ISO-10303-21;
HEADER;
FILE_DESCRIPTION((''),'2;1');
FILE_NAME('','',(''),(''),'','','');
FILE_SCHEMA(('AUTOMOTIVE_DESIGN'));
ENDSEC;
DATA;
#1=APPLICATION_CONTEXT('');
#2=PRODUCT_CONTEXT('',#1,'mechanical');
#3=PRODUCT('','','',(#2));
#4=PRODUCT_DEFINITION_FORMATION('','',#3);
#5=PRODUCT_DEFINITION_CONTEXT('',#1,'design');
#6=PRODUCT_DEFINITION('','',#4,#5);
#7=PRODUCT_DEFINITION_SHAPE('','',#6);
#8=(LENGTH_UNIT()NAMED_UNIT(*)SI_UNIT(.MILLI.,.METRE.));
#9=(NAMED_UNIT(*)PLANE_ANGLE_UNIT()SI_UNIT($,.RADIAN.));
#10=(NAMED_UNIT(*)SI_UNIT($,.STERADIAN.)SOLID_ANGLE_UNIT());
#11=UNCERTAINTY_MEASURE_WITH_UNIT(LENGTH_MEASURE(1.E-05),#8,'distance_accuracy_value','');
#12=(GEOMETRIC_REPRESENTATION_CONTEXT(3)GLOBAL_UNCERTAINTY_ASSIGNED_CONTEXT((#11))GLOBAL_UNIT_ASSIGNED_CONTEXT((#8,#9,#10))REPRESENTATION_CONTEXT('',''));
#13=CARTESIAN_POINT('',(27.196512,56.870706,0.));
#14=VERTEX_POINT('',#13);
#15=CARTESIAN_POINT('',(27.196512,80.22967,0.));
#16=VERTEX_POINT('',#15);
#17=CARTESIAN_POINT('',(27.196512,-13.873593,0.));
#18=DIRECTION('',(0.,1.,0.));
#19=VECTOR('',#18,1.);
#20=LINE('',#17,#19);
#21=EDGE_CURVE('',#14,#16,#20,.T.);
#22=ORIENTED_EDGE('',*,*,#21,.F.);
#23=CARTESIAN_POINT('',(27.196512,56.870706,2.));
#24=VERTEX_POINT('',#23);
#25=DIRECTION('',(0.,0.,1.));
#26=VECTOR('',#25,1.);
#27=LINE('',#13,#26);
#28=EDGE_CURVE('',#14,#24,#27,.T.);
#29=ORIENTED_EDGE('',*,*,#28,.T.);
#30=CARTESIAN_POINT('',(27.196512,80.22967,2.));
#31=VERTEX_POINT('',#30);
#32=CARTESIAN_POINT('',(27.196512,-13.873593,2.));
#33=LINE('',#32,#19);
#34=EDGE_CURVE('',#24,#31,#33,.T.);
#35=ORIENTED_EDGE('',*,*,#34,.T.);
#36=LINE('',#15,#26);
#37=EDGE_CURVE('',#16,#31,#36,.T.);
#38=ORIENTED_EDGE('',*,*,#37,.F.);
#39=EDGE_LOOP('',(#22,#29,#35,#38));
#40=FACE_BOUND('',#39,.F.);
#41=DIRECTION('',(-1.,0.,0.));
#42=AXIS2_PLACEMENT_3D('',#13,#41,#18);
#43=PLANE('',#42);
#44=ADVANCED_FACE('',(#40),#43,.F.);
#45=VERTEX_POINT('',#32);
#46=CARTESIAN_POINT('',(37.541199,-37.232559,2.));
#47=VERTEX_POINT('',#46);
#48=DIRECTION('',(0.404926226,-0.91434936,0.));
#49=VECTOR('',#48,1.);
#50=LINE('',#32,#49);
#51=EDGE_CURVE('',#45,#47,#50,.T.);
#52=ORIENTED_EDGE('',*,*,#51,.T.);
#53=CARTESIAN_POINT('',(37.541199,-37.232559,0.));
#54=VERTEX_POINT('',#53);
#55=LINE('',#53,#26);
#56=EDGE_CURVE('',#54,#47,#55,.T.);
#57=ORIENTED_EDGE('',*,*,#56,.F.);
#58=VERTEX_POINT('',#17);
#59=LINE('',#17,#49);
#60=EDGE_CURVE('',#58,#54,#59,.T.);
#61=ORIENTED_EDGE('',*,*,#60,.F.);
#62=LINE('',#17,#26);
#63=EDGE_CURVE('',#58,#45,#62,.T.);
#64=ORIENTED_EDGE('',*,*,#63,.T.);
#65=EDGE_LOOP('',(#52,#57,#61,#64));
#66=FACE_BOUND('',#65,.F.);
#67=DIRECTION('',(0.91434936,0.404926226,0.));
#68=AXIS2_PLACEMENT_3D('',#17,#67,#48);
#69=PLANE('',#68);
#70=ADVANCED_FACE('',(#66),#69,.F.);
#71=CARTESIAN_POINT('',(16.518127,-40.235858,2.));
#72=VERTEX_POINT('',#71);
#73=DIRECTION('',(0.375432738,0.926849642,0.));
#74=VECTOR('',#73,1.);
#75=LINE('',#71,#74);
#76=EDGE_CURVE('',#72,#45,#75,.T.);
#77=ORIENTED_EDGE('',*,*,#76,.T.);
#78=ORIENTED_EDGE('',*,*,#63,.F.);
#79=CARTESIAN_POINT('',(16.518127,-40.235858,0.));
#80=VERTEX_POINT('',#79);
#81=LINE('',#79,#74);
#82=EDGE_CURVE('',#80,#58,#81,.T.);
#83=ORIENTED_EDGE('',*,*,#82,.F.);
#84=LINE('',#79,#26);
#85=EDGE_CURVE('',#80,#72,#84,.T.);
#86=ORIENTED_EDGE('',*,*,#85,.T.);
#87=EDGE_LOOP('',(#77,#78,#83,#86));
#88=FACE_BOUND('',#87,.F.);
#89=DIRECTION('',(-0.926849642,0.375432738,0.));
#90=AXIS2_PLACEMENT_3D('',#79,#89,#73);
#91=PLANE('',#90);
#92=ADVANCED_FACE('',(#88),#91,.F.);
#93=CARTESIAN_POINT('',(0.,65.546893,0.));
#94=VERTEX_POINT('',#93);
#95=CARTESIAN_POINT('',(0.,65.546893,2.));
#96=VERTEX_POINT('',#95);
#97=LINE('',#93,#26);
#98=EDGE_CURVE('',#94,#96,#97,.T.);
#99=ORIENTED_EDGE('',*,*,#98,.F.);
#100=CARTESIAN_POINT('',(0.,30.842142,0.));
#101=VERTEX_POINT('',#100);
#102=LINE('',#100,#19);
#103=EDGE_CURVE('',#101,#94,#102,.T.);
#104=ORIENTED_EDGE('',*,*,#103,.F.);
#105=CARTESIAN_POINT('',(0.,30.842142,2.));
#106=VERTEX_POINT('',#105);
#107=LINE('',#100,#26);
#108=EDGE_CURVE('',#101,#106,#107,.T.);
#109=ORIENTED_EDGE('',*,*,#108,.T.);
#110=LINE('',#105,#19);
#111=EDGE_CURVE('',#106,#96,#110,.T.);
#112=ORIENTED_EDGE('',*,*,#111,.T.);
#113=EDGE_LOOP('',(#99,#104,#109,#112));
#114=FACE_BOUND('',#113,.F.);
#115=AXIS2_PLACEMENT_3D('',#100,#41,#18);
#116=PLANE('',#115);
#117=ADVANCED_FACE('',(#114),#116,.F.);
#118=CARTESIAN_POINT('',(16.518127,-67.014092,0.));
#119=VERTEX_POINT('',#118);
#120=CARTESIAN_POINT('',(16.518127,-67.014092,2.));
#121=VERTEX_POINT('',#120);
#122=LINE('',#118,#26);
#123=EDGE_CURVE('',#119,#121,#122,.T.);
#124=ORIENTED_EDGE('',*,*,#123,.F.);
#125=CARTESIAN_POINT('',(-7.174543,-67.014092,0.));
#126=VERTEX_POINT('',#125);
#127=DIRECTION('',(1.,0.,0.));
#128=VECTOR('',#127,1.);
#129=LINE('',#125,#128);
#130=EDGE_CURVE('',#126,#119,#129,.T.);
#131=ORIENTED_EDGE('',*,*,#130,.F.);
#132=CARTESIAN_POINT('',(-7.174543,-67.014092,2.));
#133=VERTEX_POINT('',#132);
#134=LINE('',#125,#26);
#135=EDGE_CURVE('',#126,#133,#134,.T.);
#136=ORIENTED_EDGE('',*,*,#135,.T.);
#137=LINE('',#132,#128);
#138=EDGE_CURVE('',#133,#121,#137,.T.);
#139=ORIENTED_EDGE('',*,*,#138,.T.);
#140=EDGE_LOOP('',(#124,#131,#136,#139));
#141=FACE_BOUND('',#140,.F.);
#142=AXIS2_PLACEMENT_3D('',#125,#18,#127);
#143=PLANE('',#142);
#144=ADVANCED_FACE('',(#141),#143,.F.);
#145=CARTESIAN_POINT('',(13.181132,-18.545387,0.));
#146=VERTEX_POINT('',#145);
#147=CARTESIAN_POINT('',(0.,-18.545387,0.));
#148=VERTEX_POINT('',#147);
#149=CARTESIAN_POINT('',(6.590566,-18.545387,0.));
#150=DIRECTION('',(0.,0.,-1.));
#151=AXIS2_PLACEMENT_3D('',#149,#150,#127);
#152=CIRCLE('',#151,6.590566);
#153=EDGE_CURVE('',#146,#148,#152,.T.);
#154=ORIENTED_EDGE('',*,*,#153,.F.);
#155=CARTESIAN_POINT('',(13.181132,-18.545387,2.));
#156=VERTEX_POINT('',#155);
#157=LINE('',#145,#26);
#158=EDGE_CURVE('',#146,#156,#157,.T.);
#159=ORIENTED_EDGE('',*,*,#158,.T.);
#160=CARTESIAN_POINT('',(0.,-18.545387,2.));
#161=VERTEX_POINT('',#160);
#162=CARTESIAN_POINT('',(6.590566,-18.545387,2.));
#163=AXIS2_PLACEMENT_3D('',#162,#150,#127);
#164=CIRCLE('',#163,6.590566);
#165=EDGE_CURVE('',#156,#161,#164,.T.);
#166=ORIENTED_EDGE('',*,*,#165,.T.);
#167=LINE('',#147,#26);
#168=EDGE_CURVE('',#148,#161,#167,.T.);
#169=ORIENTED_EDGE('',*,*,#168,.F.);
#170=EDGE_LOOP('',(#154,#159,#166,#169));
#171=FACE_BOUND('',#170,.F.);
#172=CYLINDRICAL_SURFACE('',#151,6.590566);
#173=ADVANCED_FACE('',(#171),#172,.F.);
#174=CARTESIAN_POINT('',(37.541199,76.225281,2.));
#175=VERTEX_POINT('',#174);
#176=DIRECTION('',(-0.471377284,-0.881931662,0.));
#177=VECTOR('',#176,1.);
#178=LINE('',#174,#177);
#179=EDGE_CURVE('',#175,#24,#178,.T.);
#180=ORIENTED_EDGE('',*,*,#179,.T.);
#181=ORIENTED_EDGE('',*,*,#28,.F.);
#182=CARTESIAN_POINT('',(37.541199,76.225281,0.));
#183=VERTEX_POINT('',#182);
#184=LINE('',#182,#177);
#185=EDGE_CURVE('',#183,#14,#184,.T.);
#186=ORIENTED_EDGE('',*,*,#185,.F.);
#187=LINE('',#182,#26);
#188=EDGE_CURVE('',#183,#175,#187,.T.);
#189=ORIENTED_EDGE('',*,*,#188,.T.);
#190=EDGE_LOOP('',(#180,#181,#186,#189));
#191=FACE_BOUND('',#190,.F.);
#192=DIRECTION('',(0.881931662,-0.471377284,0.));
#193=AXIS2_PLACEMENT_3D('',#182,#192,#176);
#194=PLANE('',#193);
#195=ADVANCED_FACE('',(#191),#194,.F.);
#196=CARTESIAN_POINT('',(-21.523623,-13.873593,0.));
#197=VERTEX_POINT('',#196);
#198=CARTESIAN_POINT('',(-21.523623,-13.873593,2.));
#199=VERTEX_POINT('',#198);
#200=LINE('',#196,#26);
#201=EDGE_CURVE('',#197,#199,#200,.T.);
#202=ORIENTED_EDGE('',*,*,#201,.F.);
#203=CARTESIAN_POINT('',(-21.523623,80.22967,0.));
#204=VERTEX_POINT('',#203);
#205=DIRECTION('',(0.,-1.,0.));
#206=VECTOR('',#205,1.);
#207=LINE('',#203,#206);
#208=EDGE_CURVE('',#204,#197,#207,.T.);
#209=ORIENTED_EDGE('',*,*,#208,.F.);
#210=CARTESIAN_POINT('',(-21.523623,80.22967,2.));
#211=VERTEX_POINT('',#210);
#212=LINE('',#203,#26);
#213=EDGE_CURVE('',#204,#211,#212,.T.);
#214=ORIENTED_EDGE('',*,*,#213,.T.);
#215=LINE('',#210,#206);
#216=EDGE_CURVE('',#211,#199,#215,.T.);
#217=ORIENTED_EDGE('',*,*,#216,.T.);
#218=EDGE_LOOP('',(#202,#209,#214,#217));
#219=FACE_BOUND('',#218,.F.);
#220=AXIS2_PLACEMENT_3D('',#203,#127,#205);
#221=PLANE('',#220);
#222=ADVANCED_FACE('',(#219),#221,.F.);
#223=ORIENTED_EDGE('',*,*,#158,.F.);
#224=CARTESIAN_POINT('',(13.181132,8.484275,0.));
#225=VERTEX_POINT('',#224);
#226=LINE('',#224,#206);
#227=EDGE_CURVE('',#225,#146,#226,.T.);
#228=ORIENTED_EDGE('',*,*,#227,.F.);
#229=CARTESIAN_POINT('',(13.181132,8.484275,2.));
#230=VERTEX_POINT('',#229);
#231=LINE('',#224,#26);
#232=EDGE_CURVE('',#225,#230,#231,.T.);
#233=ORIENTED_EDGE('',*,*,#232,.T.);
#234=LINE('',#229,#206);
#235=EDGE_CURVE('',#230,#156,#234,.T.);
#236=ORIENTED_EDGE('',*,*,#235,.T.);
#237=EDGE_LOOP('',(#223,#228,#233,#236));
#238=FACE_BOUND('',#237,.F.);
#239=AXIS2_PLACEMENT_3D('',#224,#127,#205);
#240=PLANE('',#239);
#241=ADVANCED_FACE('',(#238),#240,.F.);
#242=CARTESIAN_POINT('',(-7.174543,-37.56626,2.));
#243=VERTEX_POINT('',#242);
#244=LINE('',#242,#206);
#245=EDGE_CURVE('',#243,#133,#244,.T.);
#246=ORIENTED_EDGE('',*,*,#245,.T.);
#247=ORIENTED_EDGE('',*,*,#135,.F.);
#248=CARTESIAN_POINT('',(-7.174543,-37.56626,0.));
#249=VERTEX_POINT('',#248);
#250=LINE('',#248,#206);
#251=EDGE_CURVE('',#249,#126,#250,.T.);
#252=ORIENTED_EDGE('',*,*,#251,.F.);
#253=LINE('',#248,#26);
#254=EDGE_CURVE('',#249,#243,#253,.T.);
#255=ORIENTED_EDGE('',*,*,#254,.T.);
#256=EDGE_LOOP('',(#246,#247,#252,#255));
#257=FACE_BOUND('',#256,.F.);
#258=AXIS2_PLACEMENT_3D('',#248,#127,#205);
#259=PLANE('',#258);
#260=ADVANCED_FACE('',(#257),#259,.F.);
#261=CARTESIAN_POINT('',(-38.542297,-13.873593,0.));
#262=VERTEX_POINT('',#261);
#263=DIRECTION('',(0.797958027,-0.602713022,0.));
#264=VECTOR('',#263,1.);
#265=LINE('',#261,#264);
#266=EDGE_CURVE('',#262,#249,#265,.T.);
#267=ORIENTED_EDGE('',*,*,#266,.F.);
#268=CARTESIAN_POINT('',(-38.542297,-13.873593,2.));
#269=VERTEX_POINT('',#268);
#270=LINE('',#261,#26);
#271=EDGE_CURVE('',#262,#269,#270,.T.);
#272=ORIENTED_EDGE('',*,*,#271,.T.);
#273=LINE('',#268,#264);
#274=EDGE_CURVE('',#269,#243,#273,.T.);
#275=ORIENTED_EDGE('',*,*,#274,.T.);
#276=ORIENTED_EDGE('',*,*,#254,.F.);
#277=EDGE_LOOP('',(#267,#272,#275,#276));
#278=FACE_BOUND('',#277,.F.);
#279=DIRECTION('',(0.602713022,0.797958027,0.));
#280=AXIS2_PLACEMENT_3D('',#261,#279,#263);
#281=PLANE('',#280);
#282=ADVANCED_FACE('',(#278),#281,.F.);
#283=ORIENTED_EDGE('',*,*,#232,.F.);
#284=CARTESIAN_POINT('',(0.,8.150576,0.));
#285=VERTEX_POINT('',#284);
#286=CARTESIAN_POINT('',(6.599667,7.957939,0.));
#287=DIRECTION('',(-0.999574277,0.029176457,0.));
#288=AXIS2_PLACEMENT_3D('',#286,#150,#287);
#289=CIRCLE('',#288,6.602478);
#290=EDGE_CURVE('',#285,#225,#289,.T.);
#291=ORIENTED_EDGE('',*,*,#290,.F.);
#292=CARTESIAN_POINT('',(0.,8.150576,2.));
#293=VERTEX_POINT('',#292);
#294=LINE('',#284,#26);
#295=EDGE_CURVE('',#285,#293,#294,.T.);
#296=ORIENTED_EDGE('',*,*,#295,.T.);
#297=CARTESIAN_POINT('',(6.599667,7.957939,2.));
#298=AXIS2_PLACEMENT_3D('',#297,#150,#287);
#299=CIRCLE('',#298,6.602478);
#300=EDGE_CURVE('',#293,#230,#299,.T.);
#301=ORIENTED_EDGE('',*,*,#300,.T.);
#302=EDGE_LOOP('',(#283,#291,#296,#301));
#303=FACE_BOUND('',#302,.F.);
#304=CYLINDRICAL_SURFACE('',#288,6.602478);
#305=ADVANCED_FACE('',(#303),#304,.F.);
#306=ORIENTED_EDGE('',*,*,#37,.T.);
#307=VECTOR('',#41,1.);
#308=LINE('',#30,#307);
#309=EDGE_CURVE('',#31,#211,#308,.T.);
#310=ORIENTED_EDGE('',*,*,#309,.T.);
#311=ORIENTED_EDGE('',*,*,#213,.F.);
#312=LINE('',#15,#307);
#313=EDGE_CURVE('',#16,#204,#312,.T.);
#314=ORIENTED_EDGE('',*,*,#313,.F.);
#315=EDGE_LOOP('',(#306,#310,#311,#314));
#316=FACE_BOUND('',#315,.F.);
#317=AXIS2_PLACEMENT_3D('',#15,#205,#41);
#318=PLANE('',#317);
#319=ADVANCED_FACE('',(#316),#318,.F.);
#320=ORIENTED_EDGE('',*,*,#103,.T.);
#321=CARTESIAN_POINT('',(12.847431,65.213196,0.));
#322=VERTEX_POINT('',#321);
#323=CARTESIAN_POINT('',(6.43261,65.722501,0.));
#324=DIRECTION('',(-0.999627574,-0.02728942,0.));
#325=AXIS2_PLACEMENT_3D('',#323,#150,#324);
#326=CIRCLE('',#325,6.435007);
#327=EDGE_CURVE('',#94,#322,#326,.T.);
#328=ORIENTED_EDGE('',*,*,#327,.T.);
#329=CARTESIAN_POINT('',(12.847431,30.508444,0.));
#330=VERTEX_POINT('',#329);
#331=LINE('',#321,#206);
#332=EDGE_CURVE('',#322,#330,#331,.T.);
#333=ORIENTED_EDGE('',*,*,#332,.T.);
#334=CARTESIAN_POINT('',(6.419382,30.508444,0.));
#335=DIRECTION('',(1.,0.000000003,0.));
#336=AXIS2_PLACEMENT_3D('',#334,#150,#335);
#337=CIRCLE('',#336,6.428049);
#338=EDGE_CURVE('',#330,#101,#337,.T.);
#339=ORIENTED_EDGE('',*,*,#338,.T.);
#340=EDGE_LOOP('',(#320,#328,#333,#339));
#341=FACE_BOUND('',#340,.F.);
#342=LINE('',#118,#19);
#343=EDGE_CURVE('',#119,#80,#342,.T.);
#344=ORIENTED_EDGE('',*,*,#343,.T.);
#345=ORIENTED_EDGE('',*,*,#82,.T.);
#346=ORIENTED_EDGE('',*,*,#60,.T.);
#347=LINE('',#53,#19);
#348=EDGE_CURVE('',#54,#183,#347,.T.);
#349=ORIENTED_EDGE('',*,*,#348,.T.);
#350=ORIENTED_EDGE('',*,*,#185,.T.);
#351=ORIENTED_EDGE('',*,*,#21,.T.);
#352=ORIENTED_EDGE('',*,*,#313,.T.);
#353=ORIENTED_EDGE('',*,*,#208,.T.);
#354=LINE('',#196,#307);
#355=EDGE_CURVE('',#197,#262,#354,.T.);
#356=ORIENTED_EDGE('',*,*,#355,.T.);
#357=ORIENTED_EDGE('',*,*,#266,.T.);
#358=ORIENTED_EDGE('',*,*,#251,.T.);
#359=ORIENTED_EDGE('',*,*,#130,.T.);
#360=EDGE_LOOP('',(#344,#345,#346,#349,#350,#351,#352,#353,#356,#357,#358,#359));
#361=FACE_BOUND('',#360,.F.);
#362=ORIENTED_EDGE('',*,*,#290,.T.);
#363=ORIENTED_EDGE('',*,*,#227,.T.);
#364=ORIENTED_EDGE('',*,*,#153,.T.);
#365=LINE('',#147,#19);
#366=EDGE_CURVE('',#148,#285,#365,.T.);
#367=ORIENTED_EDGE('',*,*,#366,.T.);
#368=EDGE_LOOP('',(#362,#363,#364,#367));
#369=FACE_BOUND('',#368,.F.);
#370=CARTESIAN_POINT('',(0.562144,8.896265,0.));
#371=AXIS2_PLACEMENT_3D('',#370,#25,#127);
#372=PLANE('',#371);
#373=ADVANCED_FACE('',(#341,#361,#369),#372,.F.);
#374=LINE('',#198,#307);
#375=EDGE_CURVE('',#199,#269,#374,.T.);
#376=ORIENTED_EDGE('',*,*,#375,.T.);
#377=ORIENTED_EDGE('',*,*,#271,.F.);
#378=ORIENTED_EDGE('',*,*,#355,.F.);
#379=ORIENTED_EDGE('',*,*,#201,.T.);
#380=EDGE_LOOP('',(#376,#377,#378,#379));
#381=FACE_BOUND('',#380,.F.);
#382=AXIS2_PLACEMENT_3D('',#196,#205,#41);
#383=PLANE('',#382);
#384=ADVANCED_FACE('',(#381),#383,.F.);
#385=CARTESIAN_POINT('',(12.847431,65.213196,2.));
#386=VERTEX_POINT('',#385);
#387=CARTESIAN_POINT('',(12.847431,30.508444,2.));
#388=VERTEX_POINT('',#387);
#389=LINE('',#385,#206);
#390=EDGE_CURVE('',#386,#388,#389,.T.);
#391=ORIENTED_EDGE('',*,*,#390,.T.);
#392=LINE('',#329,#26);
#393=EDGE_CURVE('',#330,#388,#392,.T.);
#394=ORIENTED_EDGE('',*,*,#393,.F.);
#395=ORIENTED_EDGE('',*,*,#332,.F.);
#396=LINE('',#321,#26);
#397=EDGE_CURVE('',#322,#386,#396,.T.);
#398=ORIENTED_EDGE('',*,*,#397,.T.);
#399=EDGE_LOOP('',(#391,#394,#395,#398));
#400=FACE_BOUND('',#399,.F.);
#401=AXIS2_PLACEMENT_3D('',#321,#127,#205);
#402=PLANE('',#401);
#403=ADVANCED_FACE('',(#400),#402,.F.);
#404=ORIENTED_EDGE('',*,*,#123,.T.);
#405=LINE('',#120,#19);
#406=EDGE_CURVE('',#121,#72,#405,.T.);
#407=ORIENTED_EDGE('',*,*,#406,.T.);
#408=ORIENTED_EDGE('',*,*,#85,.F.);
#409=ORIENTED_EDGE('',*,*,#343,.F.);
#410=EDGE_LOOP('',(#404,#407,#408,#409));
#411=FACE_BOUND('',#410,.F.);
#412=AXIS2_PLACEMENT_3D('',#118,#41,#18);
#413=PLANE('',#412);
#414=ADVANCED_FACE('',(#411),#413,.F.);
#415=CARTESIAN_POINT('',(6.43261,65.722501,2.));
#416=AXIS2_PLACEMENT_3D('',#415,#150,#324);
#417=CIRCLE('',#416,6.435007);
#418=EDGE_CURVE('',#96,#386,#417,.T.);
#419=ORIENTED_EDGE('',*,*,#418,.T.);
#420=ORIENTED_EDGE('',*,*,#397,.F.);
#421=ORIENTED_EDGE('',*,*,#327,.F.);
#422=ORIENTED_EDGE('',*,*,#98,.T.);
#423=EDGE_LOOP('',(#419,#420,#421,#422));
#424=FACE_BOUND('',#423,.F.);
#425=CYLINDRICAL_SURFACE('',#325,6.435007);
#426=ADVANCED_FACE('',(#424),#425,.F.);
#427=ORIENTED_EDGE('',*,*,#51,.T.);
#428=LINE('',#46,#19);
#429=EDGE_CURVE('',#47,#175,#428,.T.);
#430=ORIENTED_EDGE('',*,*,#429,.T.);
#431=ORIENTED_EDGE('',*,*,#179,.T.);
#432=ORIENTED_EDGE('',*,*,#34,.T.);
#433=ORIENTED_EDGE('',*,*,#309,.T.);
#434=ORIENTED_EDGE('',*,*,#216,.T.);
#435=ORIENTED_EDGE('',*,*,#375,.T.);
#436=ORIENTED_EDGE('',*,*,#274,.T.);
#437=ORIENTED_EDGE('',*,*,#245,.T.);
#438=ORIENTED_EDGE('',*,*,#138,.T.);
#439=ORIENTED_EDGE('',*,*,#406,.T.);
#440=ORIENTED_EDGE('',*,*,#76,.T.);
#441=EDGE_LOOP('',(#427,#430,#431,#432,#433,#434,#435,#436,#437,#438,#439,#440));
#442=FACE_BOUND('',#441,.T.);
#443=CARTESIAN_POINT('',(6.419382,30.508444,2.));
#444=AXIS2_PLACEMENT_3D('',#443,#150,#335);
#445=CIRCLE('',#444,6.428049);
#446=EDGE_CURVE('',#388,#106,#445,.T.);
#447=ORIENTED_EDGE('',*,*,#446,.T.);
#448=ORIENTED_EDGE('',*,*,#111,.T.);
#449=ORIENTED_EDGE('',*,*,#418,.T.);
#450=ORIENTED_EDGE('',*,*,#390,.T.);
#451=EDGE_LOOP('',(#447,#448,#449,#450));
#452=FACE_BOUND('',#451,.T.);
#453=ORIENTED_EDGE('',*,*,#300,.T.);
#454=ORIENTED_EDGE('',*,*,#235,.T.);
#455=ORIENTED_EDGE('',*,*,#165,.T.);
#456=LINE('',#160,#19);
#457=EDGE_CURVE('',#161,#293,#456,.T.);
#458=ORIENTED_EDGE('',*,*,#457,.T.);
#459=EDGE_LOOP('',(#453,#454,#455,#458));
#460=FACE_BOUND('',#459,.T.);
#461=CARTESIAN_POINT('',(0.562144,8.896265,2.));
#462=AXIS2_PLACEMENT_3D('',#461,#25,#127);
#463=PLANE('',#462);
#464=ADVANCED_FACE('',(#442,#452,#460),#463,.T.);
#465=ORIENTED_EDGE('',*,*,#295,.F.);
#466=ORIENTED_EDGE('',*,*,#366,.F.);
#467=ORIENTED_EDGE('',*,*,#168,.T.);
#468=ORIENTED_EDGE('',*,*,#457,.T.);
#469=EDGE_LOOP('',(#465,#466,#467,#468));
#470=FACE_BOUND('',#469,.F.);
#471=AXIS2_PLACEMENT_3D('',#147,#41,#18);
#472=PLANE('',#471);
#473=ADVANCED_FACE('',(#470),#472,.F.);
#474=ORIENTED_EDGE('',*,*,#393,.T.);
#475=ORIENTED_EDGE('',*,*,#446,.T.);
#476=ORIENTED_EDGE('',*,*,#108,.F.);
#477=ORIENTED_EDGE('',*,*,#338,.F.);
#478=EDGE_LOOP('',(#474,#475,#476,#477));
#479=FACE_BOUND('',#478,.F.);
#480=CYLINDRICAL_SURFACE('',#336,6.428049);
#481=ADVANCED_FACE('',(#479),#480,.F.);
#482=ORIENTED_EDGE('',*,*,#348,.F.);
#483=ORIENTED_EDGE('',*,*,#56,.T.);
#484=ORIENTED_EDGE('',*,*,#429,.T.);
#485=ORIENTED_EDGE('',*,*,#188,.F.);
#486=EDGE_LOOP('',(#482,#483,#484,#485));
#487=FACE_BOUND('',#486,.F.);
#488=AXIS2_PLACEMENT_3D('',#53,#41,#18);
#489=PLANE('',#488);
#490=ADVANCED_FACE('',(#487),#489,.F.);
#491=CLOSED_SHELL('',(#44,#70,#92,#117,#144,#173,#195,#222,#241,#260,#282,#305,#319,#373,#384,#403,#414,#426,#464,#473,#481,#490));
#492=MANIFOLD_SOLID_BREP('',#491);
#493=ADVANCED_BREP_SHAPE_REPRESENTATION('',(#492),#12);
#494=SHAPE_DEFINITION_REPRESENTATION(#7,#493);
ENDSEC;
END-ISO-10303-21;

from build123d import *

# Parameters (mm, degrees)
F1_DEPTH = 2


with BuildPart() as f1:
    # F0 (on Top) → F1 (new body)
    with BuildSketch(Plane.XY):
        Polygon((-7.174543, -37.56626), (-7.174543, -67.014092), (16.518127, -67.014092), (16.518127, -40.235858), (27.196512, -13.873593), (27.196512, 56.870706), (27.196512, 80.22967), (-21.523623, 80.22967), (-21.523623, -13.873593), (-38.542297, -13.873593), align=None)
        with BuildLine():
            ThreePointArc((0, 8.150576), (6.432569, 14.558302), (13.181132, 8.484275))
            Line((13.181132, 8.484275), (13.181132, -18.545387))
            ThreePointArc((13.181132, -18.545387), (6.590566, -25.135953), (0, -18.545387))
            Line((0, -18.545387), (0, 8.150576))
        make_face(mode=Mode.SUBTRACT)
        with BuildLine():
            ThreePointArc((0, 65.546893), (6.599696, 72.155338), (12.847431, 65.213196))
            Line((12.847431, 65.213196), (12.847431, 30.508444))
            ThreePointArc((12.847431, 30.508444), (6.252476, 24.082562), (0, 30.842142))
            Line((0, 30.842142), (0, 65.546893))
        make_face(mode=Mode.SUBTRACT)
        Polygon((27.196512, 56.870706), (27.196512, -13.873593), (37.541199, -37.232559), (37.541199, 76.225281), align=None)
    extrude(amount=F1_DEPTH)


solid = f1.part
